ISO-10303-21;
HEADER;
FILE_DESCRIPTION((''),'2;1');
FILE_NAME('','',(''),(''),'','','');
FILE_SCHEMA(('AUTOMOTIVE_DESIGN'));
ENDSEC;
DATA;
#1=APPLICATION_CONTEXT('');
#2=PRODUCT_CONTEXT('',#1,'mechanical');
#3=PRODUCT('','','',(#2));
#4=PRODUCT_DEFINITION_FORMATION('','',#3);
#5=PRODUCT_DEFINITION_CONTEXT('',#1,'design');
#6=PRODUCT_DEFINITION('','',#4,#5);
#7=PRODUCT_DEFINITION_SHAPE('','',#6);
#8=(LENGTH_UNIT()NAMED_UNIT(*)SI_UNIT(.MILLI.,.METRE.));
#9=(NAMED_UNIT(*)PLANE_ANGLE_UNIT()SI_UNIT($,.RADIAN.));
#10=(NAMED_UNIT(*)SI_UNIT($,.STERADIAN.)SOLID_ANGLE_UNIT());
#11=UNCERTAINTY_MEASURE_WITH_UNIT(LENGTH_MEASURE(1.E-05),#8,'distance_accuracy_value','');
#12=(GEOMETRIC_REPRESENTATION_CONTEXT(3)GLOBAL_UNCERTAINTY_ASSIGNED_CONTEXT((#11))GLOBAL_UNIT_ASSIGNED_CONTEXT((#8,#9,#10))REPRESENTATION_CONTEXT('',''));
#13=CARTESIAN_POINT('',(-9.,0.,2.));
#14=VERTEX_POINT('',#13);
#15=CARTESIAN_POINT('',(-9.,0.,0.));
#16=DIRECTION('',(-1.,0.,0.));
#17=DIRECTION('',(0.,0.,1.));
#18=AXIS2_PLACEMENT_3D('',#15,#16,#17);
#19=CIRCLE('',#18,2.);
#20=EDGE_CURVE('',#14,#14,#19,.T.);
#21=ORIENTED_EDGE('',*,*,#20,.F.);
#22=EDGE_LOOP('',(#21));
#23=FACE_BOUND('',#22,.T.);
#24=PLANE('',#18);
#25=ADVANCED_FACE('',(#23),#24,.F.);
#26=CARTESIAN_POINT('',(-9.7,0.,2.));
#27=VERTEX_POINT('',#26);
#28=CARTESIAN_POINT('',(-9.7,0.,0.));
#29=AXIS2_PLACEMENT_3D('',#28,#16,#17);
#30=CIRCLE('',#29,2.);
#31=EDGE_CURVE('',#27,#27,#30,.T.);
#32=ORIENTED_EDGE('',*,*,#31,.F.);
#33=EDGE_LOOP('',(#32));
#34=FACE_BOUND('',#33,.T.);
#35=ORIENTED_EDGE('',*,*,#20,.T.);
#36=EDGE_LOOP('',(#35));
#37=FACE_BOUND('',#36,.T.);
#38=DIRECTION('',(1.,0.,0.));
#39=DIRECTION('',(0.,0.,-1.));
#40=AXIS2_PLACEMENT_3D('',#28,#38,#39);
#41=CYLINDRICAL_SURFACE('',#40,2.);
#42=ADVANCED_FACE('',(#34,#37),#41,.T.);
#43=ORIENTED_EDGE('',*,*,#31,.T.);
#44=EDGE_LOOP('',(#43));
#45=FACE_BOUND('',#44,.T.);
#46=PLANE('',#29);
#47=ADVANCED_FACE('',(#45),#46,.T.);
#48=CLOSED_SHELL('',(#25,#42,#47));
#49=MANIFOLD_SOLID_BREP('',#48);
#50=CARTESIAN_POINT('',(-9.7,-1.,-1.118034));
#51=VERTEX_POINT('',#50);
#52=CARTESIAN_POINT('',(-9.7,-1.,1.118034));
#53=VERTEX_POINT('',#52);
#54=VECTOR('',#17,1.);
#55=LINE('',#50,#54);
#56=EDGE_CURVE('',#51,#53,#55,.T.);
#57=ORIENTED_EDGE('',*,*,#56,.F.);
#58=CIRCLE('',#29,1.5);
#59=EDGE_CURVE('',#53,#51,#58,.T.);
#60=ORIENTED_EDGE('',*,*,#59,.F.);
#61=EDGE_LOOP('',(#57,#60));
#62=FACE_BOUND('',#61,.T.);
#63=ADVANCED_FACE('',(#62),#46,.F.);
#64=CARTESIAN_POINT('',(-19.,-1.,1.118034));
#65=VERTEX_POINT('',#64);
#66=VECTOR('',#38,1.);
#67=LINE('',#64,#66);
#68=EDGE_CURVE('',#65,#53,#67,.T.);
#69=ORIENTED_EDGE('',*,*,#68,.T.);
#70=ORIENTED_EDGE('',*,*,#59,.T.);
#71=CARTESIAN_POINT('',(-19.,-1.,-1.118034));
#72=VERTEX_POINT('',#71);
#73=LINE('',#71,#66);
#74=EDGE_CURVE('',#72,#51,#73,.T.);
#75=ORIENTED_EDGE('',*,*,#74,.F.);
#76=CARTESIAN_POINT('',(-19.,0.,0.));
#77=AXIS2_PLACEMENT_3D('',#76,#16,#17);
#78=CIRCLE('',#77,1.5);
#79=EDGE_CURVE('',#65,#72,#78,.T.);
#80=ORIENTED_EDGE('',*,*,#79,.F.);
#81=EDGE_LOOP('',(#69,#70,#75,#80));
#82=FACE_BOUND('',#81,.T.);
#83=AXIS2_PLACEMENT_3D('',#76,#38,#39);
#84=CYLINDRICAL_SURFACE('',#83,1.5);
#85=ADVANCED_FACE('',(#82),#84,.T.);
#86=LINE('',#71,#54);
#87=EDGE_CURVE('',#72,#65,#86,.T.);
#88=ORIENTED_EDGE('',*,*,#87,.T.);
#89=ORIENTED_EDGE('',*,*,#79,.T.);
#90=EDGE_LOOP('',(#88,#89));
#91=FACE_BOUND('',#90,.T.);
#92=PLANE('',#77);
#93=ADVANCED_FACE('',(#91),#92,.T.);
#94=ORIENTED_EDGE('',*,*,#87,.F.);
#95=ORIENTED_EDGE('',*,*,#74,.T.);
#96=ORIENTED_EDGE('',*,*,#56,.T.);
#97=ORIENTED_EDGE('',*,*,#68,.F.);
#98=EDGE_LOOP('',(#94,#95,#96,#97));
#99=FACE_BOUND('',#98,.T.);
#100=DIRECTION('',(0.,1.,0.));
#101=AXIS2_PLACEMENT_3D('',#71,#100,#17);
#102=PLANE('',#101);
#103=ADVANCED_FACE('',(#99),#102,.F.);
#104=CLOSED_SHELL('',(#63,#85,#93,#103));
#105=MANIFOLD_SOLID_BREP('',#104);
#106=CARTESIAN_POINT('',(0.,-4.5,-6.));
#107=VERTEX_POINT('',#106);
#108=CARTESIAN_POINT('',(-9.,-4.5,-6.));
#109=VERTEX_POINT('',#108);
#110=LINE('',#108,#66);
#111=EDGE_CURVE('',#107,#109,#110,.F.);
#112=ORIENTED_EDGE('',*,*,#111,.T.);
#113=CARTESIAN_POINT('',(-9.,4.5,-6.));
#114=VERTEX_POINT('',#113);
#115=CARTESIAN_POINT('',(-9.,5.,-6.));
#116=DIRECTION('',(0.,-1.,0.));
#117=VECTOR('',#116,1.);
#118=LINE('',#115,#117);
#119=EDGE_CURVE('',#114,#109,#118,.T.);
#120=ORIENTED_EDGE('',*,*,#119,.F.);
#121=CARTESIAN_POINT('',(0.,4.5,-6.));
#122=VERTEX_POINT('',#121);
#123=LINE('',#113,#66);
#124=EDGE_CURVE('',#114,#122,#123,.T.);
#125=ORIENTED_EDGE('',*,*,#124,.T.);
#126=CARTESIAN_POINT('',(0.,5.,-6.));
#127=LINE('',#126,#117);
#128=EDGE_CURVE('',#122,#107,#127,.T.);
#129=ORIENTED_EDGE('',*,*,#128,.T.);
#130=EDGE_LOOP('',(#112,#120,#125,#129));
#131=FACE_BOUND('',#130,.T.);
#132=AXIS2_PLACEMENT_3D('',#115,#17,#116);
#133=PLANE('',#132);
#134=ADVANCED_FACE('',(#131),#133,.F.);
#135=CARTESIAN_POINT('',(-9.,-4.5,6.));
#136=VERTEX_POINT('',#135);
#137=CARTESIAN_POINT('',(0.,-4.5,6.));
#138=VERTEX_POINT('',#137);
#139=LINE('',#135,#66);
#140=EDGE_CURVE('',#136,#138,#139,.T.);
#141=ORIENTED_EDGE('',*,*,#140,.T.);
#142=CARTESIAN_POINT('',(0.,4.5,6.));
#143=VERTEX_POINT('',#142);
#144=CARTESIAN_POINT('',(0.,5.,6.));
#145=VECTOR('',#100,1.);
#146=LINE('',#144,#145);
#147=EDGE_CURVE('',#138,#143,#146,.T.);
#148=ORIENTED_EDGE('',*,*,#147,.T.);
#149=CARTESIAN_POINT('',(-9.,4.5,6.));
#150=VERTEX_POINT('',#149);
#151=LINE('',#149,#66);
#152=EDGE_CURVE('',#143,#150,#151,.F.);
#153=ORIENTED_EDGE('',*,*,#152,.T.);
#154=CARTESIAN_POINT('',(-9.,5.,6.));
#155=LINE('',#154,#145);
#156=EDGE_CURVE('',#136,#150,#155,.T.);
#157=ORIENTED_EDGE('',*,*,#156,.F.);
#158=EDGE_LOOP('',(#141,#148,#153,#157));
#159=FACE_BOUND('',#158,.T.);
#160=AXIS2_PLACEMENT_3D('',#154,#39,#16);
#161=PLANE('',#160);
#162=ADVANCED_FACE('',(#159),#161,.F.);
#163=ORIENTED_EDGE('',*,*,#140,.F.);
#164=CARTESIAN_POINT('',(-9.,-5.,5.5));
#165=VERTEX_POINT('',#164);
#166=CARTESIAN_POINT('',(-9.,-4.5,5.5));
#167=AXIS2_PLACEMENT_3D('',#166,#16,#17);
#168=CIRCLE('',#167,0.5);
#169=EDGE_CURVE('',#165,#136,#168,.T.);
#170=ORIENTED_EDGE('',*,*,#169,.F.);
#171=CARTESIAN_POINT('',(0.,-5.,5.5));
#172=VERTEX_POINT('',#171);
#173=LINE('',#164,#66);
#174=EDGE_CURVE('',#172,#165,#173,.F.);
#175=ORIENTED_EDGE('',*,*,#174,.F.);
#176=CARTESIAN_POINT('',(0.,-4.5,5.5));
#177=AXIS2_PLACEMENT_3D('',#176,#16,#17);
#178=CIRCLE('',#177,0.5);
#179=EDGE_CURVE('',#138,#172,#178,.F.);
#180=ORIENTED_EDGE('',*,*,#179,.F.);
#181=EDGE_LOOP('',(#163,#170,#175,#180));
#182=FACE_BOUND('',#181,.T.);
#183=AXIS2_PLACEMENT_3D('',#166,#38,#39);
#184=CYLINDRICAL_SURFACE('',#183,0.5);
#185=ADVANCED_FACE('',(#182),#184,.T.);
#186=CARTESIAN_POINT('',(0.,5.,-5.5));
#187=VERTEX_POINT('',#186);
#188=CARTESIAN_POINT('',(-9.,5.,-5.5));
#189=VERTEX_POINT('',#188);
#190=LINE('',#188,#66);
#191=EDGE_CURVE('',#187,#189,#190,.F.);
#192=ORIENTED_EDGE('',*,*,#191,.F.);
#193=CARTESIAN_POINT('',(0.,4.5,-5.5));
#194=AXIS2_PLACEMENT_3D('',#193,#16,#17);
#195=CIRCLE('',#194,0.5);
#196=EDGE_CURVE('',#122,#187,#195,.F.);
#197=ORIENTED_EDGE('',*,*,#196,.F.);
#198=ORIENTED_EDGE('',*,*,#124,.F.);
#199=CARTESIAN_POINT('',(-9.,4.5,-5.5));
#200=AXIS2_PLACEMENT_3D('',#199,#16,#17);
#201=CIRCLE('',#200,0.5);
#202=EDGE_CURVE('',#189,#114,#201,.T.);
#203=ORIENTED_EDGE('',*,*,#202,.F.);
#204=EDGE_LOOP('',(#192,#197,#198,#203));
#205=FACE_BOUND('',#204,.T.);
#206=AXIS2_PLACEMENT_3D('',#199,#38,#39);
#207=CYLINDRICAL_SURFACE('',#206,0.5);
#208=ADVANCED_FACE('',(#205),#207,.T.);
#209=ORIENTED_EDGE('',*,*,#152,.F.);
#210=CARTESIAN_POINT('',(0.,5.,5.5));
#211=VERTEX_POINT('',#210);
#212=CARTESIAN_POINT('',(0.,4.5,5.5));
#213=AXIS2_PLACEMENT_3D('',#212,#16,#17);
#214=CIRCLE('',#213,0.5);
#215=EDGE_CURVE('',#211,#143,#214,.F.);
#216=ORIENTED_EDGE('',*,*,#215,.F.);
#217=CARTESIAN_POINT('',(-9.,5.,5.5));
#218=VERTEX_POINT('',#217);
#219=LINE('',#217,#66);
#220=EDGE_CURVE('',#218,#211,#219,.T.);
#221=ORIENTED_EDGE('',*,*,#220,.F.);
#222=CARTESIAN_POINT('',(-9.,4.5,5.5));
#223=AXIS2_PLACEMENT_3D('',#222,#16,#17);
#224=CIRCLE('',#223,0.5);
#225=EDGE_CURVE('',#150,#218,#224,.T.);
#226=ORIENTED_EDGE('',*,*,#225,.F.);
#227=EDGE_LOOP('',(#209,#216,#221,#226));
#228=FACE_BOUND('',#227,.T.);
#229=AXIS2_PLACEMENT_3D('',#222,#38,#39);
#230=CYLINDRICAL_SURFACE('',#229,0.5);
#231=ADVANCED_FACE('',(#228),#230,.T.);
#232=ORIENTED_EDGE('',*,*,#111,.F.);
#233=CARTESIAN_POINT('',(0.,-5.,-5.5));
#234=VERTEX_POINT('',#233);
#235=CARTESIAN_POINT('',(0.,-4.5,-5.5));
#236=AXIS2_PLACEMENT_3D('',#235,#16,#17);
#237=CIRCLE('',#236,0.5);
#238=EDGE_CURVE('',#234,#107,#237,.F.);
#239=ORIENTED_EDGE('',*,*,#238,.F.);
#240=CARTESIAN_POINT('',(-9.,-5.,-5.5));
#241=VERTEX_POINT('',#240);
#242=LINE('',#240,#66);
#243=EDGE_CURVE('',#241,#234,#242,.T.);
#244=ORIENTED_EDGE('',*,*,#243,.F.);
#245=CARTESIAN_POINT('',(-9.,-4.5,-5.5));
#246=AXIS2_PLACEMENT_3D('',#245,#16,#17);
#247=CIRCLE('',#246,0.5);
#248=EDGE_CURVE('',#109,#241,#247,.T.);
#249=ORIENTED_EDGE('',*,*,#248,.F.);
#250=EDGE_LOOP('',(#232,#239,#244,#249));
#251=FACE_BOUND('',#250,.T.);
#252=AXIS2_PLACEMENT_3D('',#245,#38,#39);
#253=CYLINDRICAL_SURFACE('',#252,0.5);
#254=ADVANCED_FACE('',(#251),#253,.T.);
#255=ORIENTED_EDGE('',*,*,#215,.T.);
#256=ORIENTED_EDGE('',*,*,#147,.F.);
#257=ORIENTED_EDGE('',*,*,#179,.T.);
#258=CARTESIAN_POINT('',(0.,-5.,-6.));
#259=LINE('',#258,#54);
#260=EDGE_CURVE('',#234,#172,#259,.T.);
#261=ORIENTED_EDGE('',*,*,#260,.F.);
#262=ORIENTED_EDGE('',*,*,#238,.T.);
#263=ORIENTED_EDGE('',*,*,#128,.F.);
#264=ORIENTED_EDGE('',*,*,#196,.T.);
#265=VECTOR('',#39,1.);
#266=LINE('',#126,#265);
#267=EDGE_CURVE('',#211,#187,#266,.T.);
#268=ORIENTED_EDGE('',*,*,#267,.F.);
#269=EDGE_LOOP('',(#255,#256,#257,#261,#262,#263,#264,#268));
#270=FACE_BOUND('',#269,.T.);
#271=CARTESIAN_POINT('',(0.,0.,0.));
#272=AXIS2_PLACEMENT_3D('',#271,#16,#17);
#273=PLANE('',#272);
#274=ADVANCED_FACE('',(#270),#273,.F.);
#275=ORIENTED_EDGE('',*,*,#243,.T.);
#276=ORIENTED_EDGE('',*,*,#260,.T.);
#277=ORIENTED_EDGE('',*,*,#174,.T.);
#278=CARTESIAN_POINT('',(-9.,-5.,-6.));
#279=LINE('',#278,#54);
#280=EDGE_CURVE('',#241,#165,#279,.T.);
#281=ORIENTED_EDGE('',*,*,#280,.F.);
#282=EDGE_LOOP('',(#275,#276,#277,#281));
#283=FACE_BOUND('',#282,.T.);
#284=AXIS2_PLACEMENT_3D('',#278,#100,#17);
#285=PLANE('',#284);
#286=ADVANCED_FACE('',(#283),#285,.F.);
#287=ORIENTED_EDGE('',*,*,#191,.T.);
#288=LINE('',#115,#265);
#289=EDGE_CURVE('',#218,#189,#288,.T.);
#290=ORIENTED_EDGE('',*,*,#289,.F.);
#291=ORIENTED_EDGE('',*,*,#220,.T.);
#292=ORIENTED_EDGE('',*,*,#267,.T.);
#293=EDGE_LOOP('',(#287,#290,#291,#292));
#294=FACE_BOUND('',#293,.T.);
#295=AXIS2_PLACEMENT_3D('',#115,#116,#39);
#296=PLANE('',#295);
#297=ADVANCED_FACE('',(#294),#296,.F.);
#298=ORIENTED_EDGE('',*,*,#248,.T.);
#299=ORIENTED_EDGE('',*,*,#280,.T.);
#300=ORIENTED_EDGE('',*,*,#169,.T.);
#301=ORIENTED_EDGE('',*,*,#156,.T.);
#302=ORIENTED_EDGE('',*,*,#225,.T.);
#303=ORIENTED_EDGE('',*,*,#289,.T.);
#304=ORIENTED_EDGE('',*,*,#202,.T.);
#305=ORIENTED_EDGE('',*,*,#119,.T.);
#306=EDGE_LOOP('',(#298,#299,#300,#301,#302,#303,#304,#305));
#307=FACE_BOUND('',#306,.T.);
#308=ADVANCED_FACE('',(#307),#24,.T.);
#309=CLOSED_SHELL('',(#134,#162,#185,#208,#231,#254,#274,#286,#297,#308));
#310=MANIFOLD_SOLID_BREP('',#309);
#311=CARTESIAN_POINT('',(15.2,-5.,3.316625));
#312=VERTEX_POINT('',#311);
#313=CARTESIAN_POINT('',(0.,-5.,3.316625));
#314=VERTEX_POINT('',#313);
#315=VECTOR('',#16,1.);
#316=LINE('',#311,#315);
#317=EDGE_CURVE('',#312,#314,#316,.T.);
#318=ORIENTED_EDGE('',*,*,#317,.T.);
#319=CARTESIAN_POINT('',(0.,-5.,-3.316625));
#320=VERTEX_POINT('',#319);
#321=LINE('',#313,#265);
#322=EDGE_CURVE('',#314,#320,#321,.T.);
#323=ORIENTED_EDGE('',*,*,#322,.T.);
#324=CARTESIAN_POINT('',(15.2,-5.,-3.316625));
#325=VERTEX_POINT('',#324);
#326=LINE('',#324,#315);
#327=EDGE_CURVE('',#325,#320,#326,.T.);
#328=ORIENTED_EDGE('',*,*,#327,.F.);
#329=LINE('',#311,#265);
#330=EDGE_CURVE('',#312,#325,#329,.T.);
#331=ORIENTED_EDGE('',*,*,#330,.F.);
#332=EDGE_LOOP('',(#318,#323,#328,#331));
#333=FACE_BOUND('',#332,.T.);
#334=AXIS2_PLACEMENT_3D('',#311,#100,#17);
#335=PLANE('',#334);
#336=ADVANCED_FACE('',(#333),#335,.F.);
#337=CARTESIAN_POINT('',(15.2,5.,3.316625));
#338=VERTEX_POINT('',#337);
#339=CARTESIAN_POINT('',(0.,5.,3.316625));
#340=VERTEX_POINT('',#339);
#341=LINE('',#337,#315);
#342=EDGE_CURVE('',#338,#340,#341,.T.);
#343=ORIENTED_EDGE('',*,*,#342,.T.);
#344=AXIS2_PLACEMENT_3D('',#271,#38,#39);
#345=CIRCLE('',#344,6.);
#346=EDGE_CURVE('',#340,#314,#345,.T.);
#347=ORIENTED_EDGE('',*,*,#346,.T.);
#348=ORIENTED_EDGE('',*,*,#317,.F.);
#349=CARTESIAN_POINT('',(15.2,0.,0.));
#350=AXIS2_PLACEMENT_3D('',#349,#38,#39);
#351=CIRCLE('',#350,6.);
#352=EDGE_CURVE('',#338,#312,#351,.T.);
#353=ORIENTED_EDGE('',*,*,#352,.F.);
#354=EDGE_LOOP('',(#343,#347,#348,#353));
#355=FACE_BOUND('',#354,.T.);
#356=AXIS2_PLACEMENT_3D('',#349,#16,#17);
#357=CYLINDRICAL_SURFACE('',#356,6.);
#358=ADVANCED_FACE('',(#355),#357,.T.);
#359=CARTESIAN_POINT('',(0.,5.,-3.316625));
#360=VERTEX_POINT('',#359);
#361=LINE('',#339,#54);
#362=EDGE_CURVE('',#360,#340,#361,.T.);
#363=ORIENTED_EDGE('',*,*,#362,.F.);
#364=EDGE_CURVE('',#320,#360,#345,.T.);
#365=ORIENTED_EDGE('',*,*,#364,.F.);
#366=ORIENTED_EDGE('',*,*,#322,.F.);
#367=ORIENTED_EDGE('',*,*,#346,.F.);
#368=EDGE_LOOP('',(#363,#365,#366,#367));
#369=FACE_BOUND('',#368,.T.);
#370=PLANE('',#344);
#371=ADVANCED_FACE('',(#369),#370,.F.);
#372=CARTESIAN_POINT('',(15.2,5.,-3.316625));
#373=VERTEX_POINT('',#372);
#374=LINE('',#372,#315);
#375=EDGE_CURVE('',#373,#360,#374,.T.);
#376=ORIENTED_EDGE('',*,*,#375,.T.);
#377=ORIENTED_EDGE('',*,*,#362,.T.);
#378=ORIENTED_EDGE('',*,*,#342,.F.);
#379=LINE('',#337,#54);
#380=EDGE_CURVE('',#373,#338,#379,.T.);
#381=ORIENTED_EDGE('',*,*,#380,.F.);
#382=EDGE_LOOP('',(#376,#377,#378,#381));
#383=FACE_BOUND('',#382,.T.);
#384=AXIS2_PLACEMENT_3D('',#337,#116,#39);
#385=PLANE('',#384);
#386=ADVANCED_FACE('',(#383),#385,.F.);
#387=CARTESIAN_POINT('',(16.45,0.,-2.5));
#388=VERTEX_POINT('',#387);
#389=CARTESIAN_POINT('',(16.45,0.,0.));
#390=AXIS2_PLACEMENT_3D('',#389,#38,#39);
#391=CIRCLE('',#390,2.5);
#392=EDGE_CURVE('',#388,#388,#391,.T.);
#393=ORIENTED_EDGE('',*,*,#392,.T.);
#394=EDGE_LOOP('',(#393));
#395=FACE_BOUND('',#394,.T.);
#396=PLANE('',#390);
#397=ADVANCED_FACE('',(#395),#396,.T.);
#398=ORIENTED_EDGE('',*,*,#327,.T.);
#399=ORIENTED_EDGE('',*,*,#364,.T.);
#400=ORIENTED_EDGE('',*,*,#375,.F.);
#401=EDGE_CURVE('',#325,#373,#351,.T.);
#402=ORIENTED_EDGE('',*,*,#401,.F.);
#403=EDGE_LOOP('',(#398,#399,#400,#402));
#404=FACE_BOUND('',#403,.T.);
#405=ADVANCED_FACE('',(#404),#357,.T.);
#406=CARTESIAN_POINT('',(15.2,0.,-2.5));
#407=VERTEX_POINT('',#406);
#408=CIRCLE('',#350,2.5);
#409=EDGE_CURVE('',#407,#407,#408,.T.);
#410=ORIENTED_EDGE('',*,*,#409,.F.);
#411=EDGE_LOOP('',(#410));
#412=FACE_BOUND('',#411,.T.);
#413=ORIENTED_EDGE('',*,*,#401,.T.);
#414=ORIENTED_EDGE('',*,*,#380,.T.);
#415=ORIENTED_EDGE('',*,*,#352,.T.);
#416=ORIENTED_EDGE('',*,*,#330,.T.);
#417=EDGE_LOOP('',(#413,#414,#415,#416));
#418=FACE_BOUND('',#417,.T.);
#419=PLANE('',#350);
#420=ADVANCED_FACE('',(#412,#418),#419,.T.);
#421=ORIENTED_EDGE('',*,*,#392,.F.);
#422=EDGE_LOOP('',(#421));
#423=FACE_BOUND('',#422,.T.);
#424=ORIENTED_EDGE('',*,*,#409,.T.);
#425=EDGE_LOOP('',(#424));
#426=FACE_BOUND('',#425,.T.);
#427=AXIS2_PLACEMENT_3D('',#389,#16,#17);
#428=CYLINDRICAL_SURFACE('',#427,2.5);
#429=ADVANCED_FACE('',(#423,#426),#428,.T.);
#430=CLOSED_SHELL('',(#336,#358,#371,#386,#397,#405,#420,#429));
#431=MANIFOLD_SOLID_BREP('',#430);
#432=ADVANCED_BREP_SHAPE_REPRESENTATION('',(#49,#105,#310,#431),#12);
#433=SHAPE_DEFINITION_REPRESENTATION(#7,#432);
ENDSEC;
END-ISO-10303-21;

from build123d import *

# Parameters (mm, degrees)
BOSS_EXTRUDE1_DEPTH = 15.2
SKETCH2_R           = 2.5
BOSS_EXTRUDE2_DEPTH = 1.25
SKETCH3_W           = 12
SKETCH3_H           = 10
BOSS_EXTRUDE3_DEPTH = 9
SKETCH4_R           = 2
BOSS_EXTRUDE4_DEPTH = 0.7
BOSS_EXTRUDE5_DEPTH = 9.3
FILLET1_R           = 0.5


with BuildPart() as part:
    # Sketch1 → Boss-Extrude1 (new body)
    with BuildSketch(Plane(origin=(0, 0, 0), x_dir=(0, 0, -1), z_dir=(1, 0, 0))):
        with BuildLine():
            Line((-3.31662479, 5), (3.31662479, 5))
            ThreePointArc((3.31662479, 5), (6, 0), (3.31662479, -5))
            Line((3.31662479, -5), (-3.31662479, -5))
            ThreePointArc((-3.31662479, -5), (-6, 0), (-3.31662479, 5))
        make_face()
    extrude(amount=BOSS_EXTRUDE1_DEPTH)

    # Sketch2 → Boss-Extrude2 (add)
    with BuildSketch(Plane(origin=(15.2, 0, 0), x_dir=(0, 0, -1), z_dir=(1, 0, 0))):
        Circle(SKETCH2_R)
    extrude(amount=BOSS_EXTRUDE2_DEPTH)


with BuildPart() as body_2:
    # Sketch3 → Boss-Extrude3 (new body)
    with BuildSketch(Plane.ZY):
        Rectangle(SKETCH3_W, SKETCH3_H)
    extrude(amount=BOSS_EXTRUDE3_DEPTH)

    # Fillet1
    fillet1_edges = [body_2.edges().sort_by_distance(p)[0] for p in [
        (-4.5, -5, 6),
        (-4.5, -5, -6),
        (-4.5, 5, -6),
        (-4.5, 5, 6),
    ]]
    fillet(fillet1_edges, radius=FILLET1_R)


with BuildPart() as body_3:
    # Sketch4 → Boss-Extrude4 (new body)
    with BuildSketch(Plane.ZY.offset(9)):
        Circle(SKETCH4_R)
    extrude(amount=BOSS_EXTRUDE4_DEPTH)


with BuildPart() as body_4:
    # Sketch5 → Boss-Extrude5 (new body)
    with BuildSketch(Plane.ZY.offset(9.7)):
        with BuildLine():
            Line((-1.118033989, -1), (1.118033989, -1))
            ThreePointArc((1.118033989, -1), (0, 1.5), (-1.118033989, -1))
        make_face()
    extrude(amount=BOSS_EXTRUDE5_DEPTH)


solid = Compound([part.part, body_2.part, body_3.part, body_4.part])
